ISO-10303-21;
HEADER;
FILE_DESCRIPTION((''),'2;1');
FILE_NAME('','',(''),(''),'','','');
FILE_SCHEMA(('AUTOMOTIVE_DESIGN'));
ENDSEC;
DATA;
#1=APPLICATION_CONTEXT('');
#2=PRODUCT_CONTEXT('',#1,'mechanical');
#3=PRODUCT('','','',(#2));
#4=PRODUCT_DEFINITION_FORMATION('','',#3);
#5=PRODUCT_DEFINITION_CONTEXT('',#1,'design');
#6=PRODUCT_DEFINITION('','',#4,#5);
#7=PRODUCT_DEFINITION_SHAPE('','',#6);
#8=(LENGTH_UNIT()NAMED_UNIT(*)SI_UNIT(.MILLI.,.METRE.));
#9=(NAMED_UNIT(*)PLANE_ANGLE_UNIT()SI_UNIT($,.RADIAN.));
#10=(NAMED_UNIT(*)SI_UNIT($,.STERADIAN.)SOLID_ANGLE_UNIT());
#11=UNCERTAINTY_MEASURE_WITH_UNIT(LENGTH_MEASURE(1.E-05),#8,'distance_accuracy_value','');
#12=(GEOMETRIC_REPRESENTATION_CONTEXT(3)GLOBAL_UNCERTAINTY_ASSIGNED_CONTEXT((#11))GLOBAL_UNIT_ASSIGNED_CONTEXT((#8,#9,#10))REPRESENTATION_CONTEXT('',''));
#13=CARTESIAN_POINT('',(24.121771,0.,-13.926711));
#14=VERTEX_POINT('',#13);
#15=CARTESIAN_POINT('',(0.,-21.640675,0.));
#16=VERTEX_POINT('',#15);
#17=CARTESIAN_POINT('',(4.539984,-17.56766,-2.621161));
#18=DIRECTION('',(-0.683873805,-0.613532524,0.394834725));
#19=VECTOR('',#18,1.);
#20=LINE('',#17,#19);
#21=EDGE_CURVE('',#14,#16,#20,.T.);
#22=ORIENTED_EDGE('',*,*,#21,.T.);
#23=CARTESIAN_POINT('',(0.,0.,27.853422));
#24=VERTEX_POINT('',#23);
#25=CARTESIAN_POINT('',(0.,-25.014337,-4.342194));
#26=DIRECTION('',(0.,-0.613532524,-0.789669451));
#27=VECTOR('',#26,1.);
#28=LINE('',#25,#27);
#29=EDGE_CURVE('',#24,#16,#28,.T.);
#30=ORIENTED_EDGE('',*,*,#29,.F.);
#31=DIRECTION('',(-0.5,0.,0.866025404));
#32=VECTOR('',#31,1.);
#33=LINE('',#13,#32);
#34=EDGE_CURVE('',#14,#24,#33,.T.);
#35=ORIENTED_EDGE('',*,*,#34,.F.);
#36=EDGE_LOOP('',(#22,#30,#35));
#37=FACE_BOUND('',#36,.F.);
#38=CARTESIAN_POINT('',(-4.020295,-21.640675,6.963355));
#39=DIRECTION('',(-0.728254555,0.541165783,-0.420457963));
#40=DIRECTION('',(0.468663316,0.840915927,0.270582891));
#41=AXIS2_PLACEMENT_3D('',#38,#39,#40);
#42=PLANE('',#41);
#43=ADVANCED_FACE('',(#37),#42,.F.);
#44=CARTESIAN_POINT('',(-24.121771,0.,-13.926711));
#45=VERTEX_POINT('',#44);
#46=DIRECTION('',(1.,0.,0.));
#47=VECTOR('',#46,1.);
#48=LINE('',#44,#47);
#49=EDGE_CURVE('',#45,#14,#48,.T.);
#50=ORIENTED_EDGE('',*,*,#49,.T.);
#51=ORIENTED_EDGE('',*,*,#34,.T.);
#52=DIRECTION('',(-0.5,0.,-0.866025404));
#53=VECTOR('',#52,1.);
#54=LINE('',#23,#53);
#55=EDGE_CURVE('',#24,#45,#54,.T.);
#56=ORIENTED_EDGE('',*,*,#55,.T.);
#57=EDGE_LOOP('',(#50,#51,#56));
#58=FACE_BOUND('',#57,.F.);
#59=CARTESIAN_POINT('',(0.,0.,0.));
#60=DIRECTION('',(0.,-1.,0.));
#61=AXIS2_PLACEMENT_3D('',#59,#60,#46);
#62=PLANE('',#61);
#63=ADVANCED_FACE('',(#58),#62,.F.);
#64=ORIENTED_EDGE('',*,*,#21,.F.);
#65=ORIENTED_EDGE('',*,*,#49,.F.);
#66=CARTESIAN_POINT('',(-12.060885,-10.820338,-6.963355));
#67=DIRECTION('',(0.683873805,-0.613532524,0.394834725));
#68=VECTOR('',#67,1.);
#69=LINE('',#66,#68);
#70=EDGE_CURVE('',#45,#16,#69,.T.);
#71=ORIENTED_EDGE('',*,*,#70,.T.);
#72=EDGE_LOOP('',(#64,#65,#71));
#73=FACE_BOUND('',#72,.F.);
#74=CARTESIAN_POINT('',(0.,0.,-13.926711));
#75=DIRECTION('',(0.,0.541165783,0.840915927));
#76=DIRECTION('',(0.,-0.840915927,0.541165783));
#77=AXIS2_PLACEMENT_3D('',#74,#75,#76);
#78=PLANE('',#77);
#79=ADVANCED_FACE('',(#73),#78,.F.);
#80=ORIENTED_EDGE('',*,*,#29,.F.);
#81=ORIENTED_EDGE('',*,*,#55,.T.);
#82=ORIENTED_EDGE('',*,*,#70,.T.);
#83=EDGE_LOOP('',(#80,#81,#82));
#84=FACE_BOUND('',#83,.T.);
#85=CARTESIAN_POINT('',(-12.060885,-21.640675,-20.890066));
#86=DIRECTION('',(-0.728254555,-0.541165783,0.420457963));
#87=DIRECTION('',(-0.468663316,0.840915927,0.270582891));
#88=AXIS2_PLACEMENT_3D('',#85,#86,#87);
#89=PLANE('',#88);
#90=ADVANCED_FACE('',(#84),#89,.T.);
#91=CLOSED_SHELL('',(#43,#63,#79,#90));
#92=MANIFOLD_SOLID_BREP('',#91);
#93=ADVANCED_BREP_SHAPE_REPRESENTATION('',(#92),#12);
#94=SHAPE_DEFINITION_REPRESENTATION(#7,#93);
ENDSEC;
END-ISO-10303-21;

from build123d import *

# Parameters (mm, degrees)
F1_DEPTH = 50.8
F4_DEPTH = 38.1
F6_DEPTH = 76.2
F9_DEPTH = 38.1


with BuildPart() as f1:
    # F0 (on Front) → F1 (new body)
    with BuildSketch(Plane.XZ):
        Polygon((0, 27.8534215753), (-24.1217706665, -13.9267107877), (24.1217706665, -13.9267107877), align=None)
    extrude(amount=F1_DEPTH)

    # F3 (on Right) → F4 (cut, symmetric)
    with BuildSketch(Plane.YZ):
        Polygon((-4.1414177977, -23.6890129745), (0, -13.9267107877), (-21.6406751424, 0), (-53.4481443465, 0), (-53.4481443465, -20.1891623437), align=None)
    extrude(amount=F4_DEPTH, both=True, mode=Mode.SUBTRACT)

    # F5 (on face) → F6 (cut)
    with BuildSketch(Plane(origin=(-12.0608853333, 0, -20.8900661815), x_dir=(0.8660254038, 0, -0.5), z_dir=(0.5, 0, 0.8660254038))):
        Polygon((0, -21.6406751424), (-13.9267107877, 0), (-23.6785002053, -57.1040175855), (0, -58.6630254984), align=None)
    extrude(amount=F6_DEPTH, mode=Mode.SUBTRACT)

    # F8 (on face) → F9 (cut, symmetric)
    with BuildSketch(Plane(origin=(-4.0202951111, 0, 6.9633553938), x_dir=(0.8660254038, 0, 0.5), z_dir=(0.5, 0, -0.8660254038))):
        Polygon((-6.0183512978, 52.3292906582), (0, 21.6406751424), (13.9267107877, 0), (24.3944823742, 42.0836023986), (17.7801791579, 52.3292906582), align=None)
    extrude(amount=F9_DEPTH, both=True, mode=Mode.SUBTRACT)


solid = f1.part
